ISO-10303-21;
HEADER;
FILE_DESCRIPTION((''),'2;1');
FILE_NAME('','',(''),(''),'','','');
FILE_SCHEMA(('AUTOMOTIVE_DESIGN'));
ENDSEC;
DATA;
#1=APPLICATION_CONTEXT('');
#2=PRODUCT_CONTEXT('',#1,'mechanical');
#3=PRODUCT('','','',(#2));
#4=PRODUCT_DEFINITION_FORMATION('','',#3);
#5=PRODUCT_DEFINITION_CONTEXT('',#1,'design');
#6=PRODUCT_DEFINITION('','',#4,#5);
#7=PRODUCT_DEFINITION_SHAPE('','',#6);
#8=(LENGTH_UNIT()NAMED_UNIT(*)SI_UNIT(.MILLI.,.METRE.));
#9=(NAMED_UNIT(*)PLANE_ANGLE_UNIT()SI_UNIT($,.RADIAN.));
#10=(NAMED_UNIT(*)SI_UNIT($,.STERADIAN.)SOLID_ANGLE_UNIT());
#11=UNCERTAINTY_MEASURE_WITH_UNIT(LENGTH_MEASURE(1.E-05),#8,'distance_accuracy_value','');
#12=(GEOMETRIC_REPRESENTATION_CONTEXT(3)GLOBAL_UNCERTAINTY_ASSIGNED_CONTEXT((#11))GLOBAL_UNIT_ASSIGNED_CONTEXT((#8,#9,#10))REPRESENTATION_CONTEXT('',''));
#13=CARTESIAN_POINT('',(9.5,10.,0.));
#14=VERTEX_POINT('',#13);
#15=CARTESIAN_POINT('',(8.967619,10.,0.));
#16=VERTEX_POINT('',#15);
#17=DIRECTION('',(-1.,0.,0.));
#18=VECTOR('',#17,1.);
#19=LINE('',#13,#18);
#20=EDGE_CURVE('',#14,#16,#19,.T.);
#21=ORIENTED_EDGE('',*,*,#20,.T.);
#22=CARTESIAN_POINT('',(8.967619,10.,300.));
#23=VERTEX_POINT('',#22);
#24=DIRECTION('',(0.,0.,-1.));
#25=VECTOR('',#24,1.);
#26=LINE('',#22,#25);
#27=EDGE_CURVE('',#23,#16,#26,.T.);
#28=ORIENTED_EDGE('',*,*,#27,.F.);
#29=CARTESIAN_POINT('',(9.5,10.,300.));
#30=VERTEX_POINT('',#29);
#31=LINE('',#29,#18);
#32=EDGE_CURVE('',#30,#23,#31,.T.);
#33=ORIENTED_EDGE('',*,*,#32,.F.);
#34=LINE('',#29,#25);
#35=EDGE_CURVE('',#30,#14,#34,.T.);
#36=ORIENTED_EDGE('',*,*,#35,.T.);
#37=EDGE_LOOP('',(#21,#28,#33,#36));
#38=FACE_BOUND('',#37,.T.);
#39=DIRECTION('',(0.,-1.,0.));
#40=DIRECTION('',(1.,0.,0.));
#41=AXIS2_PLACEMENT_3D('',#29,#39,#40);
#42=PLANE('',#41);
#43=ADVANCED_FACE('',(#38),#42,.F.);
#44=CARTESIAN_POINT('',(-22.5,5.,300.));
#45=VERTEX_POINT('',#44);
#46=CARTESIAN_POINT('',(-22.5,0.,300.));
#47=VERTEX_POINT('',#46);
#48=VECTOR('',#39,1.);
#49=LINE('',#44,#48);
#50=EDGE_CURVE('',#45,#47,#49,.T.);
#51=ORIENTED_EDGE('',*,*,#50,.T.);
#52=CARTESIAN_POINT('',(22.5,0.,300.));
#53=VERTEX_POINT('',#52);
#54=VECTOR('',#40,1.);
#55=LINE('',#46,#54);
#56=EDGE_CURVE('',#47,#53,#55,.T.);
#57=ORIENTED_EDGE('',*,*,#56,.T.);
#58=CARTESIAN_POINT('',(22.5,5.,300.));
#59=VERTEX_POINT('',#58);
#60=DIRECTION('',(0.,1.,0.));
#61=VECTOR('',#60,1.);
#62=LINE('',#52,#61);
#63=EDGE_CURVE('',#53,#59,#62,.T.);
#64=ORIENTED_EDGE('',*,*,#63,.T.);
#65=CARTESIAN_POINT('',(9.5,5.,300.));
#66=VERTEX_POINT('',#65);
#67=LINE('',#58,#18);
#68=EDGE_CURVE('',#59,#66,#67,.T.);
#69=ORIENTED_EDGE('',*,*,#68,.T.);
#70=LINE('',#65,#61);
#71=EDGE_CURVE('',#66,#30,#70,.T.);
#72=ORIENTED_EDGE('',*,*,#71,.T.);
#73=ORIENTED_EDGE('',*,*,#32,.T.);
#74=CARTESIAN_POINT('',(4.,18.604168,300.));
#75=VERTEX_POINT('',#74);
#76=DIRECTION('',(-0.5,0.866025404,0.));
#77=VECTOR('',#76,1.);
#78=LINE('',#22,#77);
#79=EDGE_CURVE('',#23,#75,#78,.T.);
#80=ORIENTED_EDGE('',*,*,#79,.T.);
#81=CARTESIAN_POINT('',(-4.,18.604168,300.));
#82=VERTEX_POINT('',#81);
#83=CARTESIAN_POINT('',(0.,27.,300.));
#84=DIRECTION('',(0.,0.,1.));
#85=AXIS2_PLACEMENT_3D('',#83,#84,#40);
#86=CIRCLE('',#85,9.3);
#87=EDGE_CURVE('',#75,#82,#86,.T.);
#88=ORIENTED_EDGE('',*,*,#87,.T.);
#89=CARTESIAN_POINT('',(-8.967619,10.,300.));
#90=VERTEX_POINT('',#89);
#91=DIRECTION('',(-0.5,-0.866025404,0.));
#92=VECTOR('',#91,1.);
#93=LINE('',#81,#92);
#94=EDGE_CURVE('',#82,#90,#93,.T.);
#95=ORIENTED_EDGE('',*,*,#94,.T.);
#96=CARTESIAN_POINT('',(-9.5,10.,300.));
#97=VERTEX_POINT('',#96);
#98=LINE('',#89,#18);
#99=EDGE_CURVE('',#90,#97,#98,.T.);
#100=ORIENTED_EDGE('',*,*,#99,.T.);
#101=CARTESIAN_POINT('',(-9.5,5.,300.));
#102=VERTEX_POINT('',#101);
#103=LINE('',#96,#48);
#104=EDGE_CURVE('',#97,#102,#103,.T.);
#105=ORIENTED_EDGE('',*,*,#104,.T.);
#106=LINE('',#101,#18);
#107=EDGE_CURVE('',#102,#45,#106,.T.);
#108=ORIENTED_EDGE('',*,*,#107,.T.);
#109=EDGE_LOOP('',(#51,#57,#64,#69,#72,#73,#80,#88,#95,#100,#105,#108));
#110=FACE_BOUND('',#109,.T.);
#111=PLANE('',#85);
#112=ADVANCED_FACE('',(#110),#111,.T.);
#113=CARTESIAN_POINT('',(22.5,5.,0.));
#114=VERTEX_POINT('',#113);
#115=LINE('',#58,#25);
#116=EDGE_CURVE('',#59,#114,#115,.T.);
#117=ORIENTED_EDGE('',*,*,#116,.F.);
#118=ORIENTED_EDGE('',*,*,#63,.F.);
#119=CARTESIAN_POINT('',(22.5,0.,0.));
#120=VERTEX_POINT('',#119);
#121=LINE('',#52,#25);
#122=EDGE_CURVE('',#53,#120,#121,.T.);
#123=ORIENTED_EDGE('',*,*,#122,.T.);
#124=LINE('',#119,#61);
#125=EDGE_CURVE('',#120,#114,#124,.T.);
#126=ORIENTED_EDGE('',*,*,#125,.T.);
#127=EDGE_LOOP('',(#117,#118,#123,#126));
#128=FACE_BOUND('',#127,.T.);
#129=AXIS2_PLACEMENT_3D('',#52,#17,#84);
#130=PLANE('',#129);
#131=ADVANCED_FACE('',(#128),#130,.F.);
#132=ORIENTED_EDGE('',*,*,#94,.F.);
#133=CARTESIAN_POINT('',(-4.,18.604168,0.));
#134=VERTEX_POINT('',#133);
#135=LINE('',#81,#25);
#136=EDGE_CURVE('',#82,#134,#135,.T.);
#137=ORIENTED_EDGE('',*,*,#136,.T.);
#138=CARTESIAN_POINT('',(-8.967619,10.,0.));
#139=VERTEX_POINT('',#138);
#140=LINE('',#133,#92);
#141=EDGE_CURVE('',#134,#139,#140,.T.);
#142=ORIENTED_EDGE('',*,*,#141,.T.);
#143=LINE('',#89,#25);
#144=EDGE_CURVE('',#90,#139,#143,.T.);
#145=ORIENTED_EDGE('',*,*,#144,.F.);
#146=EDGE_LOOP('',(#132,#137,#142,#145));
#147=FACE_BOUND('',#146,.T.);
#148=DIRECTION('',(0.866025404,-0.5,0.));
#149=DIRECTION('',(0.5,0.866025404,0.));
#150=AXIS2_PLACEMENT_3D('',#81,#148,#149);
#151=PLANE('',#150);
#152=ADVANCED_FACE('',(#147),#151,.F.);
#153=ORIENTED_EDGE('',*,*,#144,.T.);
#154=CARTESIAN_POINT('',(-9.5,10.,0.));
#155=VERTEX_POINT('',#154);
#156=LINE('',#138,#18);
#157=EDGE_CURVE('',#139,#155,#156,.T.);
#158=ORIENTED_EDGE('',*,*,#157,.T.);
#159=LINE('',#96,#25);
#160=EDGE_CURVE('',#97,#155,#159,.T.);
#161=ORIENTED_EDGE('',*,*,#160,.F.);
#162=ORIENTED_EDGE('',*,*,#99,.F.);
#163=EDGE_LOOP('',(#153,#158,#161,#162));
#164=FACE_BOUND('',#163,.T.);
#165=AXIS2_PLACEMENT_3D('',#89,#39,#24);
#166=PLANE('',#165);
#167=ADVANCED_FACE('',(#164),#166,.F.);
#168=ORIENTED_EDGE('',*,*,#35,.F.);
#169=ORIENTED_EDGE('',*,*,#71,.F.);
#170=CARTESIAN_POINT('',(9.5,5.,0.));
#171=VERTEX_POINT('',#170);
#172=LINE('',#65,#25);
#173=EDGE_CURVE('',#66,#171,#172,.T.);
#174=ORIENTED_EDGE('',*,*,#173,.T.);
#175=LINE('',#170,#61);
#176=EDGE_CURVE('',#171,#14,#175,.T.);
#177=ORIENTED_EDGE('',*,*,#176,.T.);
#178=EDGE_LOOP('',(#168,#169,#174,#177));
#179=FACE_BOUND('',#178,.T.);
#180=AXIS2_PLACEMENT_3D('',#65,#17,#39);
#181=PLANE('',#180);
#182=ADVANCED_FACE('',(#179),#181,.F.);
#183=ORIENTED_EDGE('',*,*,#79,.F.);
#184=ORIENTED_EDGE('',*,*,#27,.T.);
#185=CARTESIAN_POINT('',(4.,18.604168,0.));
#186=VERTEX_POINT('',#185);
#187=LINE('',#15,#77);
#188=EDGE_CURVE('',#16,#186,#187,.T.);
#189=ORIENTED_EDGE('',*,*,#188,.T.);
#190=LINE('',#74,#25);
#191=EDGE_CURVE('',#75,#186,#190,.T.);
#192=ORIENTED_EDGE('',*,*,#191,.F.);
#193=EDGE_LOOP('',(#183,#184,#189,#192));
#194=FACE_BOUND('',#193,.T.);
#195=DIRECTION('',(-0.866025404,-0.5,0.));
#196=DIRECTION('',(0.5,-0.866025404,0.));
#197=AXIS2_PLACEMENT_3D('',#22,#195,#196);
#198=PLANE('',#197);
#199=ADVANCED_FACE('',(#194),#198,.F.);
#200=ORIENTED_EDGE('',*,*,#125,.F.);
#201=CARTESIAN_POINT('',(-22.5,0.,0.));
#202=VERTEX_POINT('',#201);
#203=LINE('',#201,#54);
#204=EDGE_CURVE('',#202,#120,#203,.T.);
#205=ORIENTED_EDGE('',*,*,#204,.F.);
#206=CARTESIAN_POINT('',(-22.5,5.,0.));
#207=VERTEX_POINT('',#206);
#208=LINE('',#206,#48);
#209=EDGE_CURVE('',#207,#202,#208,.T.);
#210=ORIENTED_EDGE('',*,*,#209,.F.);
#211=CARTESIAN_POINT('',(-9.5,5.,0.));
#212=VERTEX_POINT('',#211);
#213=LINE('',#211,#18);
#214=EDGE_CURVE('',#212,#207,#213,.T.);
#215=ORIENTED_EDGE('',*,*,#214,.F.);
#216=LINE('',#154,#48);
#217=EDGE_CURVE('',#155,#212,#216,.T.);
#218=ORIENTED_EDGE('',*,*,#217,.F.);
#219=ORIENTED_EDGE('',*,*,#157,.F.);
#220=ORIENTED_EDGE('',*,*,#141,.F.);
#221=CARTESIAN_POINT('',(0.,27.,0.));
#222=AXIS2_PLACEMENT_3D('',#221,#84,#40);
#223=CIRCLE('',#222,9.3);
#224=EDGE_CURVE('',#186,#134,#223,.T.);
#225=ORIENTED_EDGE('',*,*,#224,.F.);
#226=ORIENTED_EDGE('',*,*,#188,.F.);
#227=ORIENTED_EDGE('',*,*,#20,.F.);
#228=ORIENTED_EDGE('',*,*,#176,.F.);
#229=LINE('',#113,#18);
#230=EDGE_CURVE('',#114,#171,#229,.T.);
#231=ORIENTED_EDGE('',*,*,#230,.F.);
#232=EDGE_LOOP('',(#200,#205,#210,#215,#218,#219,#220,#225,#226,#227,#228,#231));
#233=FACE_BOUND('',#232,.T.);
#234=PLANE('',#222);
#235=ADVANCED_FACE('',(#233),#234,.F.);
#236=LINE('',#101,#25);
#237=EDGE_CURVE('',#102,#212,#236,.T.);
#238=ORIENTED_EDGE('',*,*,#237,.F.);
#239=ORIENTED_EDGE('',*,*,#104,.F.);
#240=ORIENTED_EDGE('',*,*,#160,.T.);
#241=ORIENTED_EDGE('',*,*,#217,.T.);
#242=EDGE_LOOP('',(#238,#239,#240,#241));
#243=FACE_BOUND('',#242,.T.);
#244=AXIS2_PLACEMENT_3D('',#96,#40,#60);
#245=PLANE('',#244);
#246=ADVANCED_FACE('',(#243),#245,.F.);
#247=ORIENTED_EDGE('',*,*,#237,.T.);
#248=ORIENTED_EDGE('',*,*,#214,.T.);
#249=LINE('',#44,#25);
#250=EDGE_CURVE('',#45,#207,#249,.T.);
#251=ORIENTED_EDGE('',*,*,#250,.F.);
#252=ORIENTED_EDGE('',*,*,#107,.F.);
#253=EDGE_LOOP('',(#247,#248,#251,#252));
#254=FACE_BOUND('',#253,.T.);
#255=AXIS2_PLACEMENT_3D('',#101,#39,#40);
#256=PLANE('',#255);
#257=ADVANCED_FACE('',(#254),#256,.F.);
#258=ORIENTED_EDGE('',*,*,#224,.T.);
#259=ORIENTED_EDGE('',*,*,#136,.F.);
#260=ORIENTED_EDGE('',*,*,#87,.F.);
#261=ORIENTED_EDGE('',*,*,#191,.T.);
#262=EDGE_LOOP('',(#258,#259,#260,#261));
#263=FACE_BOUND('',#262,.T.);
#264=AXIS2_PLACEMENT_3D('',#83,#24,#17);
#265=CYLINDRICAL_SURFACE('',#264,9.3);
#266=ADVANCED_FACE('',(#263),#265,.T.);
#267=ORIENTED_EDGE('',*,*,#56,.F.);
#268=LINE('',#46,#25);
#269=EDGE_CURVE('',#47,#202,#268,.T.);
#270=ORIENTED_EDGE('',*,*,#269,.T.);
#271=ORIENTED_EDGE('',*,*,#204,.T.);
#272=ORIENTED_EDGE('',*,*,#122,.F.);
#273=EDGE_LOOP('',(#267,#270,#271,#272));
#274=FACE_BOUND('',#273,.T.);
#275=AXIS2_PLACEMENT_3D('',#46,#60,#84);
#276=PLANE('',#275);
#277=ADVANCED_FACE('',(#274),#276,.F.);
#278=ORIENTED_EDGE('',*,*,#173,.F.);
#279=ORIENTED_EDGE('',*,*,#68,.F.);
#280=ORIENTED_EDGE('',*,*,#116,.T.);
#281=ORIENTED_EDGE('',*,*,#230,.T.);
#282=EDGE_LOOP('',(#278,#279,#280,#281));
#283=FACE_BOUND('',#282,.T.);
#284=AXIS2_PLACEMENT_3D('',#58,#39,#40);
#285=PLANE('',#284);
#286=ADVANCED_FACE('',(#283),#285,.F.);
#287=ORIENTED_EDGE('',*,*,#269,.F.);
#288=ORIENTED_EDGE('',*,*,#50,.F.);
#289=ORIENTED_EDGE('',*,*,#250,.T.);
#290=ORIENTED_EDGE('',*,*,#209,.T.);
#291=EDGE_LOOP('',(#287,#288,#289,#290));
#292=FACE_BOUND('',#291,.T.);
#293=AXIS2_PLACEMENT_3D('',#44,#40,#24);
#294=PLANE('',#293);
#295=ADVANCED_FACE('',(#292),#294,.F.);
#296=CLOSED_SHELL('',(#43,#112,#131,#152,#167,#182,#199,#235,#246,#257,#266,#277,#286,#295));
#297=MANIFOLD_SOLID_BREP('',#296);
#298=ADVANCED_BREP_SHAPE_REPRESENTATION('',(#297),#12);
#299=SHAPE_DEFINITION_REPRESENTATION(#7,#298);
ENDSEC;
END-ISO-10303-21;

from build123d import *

# Parameters (mm, degrees)
EXTRUSION1_DEPTH = 300


with BuildPart() as part:
    # Sketch1 → Extrusion1 (new body)
    with BuildSketch(Plane.XY):
        with BuildLine():
            Line((-22.5, 0), (22.5, 0))
            Line((22.5, 0), (22.5, 5))
            Line((22.5, 5), (9.5, 5))
            Line((9.5, 5), (9.5, 10))
            Line((9.5, 10), (8.967618538, 10))
            Line((8.967618538, 10), (4, 18.604167701))
            ThreePointArc((4, 18.604167701), (0, 36.3), (-4, 18.604167701))
            Line((-4, 18.604167701), (-8.967618538, 10))
            Line((-8.967618538, 10), (-9.5, 10))
            Line((-9.5, 10), (-9.5, 5))
            Line((-9.5, 5), (-22.5, 5))
            Line((-22.5, 5), (-22.5, 0))
        make_face()
    extrude(amount=EXTRUSION1_DEPTH)


solid = part.part
